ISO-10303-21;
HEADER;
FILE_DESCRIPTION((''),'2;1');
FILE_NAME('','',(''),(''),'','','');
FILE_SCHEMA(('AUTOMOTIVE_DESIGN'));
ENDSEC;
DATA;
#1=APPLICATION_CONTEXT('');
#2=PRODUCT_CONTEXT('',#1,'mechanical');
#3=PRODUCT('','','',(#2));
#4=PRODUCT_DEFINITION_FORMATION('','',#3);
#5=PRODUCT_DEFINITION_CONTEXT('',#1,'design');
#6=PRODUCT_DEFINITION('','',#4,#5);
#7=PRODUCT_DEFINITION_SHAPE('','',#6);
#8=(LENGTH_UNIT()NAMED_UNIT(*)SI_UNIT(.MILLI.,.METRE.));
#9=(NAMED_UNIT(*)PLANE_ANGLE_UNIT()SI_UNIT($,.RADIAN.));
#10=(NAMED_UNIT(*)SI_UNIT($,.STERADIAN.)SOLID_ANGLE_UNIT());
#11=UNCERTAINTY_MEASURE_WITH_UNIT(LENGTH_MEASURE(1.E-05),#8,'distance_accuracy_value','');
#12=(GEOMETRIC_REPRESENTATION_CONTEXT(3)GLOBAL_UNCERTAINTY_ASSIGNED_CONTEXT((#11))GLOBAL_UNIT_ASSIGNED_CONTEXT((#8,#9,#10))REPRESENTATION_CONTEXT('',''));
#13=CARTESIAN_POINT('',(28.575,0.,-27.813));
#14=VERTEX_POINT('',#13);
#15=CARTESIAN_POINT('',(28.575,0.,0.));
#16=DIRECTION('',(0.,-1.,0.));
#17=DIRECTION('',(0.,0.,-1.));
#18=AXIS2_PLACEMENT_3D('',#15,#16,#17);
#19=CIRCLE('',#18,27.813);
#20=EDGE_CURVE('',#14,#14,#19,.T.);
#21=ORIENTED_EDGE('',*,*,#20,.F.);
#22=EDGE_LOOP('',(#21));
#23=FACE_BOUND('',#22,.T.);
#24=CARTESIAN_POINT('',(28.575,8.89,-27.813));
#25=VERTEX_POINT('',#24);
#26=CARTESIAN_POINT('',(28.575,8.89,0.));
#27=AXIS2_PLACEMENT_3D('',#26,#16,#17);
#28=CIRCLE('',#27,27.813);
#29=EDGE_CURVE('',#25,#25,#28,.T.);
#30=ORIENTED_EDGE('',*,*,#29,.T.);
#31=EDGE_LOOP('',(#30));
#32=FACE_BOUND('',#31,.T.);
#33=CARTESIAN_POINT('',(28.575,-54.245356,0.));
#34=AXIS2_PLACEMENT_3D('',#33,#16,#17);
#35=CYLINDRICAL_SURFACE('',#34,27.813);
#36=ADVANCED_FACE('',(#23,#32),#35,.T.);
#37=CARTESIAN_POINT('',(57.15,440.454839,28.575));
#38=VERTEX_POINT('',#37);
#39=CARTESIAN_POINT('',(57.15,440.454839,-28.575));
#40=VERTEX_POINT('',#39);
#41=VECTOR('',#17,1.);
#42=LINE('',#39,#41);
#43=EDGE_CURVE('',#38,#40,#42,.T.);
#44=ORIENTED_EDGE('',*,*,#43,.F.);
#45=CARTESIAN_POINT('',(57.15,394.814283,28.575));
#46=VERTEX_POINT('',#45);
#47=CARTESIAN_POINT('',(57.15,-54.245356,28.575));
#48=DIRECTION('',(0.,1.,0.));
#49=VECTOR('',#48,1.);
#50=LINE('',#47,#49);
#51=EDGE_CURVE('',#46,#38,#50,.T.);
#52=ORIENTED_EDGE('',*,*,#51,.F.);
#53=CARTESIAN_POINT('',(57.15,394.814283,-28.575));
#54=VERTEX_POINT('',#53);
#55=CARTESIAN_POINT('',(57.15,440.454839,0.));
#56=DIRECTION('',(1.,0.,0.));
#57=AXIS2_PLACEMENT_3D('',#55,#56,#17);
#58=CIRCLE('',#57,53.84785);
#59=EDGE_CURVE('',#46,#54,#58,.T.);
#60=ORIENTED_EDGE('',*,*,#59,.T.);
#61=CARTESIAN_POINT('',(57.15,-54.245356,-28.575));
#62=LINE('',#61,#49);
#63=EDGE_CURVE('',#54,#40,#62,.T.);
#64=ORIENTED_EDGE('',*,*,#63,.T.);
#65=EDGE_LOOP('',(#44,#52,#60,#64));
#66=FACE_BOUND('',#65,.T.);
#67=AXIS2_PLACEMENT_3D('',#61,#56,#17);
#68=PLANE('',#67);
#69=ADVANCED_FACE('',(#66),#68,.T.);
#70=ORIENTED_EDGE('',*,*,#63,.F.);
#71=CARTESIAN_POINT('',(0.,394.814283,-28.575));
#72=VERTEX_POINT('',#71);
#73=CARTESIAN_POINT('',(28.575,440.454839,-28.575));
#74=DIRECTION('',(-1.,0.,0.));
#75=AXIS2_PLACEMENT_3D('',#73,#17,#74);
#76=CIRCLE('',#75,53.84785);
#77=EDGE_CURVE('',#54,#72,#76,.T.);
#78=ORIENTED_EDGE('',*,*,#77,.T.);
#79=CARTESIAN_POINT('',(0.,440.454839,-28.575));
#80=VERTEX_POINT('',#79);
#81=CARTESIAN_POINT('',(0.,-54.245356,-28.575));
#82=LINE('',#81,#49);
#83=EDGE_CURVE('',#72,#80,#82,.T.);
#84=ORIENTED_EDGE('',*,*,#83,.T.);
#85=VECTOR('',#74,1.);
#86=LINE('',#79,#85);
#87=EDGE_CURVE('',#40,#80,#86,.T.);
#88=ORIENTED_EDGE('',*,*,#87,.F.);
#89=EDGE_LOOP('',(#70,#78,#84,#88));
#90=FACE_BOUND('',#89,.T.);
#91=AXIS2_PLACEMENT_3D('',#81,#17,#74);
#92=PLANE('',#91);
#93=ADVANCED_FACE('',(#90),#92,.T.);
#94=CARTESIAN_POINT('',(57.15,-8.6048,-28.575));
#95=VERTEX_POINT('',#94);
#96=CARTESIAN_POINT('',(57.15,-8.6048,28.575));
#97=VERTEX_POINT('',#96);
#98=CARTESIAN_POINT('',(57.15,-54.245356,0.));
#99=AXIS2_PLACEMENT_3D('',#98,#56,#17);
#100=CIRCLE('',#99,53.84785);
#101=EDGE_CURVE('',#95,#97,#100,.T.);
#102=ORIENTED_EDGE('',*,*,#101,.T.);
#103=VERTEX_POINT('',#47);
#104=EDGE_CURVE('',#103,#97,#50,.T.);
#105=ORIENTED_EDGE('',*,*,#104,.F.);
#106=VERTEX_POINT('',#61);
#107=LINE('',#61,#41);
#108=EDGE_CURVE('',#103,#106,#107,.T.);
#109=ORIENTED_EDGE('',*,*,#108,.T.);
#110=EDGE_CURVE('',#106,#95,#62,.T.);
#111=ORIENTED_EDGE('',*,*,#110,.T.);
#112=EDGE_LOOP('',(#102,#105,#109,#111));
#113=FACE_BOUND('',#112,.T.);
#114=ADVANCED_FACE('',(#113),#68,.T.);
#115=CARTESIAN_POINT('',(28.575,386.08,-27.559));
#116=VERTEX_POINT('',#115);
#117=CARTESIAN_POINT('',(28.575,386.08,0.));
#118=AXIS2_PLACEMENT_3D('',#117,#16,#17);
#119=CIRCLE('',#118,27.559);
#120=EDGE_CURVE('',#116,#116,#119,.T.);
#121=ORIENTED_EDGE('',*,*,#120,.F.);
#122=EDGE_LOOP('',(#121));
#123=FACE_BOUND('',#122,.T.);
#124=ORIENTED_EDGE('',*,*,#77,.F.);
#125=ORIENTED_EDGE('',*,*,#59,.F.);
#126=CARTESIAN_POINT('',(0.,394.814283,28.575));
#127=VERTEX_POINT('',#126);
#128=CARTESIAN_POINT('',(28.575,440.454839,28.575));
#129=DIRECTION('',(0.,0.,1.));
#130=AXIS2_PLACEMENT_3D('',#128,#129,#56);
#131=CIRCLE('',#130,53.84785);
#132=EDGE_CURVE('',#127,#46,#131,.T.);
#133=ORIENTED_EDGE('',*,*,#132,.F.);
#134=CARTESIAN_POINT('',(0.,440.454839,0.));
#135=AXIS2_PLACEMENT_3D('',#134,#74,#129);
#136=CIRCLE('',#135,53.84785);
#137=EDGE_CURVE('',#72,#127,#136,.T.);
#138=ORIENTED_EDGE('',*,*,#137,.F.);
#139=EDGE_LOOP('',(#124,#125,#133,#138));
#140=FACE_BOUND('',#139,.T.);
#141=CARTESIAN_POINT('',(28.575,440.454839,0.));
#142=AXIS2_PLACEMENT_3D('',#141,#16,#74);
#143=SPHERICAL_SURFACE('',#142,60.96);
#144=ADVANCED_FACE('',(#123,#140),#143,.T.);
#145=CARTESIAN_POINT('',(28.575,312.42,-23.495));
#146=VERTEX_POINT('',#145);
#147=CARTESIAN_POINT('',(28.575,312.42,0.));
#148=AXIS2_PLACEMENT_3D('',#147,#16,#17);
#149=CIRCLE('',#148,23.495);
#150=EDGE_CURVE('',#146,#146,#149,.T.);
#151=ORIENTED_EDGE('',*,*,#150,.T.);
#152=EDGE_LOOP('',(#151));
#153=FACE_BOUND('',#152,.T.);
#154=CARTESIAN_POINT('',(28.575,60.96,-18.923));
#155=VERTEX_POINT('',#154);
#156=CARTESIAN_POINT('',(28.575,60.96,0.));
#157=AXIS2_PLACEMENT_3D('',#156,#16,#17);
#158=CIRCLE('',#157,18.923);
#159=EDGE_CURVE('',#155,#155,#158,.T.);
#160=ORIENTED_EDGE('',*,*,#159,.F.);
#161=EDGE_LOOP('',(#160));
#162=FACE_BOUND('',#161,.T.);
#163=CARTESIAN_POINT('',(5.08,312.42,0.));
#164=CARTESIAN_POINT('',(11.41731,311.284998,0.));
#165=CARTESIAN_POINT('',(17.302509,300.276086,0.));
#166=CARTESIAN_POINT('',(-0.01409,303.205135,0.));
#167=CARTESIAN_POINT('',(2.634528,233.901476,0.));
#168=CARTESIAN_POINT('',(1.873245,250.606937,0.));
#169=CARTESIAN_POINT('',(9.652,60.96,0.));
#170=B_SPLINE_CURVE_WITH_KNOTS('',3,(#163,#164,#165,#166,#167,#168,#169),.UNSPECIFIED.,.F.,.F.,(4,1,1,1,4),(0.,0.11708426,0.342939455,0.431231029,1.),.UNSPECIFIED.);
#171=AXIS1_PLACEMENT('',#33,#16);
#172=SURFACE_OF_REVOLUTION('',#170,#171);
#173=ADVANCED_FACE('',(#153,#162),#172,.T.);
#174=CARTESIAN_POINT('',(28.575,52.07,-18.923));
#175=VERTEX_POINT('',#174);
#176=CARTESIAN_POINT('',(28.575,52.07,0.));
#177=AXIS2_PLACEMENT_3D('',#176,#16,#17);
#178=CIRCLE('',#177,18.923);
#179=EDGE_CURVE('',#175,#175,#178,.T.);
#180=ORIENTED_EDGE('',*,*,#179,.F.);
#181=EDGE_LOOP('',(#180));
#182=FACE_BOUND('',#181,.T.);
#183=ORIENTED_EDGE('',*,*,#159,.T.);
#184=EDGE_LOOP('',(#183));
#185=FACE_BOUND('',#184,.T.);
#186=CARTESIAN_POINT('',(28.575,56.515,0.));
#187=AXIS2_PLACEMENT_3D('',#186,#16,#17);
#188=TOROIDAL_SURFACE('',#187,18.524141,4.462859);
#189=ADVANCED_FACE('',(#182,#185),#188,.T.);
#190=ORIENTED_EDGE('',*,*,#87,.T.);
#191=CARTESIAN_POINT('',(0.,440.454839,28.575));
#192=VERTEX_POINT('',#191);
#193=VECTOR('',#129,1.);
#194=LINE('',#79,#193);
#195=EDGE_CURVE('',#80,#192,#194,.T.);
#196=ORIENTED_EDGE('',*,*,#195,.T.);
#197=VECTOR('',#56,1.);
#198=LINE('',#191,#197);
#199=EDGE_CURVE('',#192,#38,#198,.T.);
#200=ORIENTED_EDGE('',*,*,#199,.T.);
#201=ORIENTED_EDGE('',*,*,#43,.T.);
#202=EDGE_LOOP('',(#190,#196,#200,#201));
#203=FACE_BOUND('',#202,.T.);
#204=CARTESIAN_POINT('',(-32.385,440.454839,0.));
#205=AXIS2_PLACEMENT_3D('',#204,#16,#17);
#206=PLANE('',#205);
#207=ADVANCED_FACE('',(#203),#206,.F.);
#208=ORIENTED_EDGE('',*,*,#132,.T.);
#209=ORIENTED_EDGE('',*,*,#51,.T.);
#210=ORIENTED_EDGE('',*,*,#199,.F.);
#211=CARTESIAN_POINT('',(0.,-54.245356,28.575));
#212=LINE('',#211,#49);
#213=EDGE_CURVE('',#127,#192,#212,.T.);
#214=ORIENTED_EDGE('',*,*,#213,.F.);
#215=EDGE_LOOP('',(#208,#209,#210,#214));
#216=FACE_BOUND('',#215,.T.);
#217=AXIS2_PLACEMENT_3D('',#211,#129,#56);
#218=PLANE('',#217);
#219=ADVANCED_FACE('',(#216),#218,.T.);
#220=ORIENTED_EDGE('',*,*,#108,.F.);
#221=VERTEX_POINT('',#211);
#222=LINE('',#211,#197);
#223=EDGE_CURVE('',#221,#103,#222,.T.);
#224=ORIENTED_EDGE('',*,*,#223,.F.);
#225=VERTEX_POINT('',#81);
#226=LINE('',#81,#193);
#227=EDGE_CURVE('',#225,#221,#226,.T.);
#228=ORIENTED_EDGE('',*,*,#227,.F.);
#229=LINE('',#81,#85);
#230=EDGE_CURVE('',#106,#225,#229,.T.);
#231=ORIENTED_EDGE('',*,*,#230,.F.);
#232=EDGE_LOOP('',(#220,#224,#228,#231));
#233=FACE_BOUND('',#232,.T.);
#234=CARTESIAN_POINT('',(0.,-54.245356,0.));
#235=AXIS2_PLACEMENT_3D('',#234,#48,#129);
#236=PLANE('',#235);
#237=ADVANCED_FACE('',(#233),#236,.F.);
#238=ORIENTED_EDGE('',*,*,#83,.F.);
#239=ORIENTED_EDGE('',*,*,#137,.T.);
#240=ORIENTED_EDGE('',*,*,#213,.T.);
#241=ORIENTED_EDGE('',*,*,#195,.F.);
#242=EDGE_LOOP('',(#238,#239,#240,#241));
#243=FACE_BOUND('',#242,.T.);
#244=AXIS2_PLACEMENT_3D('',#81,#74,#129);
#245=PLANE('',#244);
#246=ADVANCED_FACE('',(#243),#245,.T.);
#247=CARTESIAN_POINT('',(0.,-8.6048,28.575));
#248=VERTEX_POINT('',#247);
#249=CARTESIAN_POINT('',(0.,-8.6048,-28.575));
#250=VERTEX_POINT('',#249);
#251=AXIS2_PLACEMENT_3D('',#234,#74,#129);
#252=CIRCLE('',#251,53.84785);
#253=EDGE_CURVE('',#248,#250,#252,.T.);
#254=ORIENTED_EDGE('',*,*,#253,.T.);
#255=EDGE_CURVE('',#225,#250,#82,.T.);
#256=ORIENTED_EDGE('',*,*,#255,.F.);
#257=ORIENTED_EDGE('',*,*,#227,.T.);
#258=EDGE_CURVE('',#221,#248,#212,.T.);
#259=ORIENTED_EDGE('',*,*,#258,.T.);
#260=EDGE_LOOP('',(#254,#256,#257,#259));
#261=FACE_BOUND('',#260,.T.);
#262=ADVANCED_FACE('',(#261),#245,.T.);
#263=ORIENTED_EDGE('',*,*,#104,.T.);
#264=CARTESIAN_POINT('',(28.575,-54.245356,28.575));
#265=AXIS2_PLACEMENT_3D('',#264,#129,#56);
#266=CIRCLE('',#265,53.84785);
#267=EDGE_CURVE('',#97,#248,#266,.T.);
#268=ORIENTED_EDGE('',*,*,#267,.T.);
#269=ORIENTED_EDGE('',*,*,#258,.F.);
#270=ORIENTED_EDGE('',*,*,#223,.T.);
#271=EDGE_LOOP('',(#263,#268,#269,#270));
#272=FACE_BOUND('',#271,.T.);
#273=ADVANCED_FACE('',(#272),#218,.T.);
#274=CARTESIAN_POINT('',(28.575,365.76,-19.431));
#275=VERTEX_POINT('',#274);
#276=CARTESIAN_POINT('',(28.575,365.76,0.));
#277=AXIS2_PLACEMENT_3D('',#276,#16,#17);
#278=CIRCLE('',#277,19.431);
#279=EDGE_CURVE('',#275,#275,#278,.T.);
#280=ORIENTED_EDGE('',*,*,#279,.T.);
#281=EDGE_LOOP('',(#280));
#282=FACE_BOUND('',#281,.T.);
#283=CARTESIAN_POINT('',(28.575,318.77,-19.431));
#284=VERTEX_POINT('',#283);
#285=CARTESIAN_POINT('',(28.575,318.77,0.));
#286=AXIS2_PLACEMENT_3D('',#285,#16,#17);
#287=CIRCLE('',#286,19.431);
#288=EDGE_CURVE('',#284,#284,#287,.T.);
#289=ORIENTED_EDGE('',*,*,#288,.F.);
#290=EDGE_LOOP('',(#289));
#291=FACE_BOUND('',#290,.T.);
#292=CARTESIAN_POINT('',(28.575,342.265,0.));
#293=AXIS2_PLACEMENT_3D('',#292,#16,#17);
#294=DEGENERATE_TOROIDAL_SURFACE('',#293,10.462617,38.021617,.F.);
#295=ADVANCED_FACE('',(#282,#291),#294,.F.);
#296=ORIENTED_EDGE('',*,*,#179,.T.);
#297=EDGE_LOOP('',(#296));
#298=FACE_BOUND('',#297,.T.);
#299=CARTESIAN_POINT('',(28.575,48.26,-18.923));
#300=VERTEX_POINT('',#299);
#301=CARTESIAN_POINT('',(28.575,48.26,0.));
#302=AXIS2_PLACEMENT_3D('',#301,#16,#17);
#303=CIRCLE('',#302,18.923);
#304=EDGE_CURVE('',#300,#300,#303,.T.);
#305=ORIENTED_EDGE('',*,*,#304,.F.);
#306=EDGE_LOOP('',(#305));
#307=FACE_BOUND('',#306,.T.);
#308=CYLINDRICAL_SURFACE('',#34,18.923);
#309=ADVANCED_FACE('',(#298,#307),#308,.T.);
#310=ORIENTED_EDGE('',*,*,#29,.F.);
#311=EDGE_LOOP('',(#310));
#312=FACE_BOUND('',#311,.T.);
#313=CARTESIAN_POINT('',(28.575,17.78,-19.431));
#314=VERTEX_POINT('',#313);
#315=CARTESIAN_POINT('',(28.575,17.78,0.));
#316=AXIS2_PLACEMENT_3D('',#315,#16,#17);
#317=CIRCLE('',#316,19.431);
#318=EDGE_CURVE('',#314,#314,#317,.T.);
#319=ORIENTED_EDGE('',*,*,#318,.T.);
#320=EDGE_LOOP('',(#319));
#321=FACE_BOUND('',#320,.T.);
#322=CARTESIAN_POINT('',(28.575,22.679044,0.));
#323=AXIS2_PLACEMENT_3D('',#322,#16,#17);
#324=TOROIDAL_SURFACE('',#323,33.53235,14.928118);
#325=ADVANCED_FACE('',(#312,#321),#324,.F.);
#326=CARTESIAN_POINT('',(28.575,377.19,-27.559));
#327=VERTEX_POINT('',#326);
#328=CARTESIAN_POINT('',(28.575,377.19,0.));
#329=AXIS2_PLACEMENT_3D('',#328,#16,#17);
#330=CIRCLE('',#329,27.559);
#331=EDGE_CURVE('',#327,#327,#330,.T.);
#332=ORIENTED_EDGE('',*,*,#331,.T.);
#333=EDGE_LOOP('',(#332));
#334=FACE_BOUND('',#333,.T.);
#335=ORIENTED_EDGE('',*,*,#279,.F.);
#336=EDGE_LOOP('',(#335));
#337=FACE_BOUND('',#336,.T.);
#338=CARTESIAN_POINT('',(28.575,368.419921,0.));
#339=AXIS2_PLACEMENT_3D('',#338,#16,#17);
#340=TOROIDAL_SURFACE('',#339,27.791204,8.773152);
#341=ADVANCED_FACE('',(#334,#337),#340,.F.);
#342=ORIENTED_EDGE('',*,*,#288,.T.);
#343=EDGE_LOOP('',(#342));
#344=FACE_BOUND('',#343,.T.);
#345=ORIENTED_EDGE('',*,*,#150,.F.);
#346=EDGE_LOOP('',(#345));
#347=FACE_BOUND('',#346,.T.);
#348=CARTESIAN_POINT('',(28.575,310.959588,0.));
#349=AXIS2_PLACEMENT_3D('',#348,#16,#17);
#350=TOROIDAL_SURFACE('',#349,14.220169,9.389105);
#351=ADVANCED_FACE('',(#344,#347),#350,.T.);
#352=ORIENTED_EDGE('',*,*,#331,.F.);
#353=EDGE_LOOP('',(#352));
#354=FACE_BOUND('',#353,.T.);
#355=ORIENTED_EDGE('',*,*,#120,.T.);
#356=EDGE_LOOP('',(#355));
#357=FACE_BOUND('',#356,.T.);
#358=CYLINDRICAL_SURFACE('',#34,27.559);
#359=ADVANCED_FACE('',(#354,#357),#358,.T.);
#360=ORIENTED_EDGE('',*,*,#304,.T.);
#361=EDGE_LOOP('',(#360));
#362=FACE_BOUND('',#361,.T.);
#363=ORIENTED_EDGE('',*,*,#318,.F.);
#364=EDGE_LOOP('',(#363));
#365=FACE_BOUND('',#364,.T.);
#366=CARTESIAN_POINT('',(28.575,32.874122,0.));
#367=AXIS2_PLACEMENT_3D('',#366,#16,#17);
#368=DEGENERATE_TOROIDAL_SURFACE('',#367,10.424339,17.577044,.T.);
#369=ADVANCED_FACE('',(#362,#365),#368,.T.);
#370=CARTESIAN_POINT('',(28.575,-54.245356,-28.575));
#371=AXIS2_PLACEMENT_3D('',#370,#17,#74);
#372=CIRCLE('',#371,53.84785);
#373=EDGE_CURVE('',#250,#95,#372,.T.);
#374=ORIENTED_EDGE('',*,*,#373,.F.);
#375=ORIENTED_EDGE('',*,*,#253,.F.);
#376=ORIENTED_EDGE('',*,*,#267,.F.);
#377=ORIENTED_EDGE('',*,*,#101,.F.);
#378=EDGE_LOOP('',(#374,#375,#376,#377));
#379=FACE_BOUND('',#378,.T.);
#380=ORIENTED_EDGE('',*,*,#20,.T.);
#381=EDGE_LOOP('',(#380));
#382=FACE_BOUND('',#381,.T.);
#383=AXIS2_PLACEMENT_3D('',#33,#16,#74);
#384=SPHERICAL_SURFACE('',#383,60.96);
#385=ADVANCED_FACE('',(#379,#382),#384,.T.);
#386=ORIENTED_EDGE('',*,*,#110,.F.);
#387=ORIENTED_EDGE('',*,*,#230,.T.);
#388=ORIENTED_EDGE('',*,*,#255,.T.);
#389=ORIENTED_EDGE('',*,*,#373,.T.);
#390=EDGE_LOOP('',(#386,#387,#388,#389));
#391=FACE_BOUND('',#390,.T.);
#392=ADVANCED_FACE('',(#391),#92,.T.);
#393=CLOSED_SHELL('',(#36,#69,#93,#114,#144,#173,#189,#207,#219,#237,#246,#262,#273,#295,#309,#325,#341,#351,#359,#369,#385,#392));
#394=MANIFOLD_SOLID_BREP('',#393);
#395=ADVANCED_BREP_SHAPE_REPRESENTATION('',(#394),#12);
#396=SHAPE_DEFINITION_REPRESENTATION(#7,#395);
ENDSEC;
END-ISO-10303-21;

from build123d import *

# Parameters (mm, degrees)
SKETCH4_OUTSIDE_W       = 568.745
SKETCH4_OUTSIDE_H       = 568.744
SKETCH4_OUTSIDE_W_2     = 142.875
SKETCH4_OUTSIDE_H_2     = 142.875
CUT_EXTRUDE2_DEPTH      = 1102.137097563
CUT_EXTRUDE2_DEPTH_BACK = 136.613389618
SCALE1_SCALE            = 0.4


with BuildPart() as part:
    # Sketch2 → Revolve2 (revolve)
    with BuildSketch(Plane.XY):
        with BuildLine():
            Line((0, -135.613389618), (71.4375, -135.613389618))
            Line((71.4375, -135.613389618), (71.4375, 1101.137097563))
            Line((71.4375, 1101.137097563), (0, 1101.137097563))
            Line((0, 1101.137097563), (-80.9625, 1101.137097563))
            ThreePointArc((-80.9625, 1101.137097563), (-58.419611858, 1021.369369126), (2.54, 965.2))
            Line((2.54, 965.2), (2.54, 942.975))
            ThreePointArc((2.54, 942.975), (19.833806838, 933.760429307), (22.86, 914.4))
            ThreePointArc((22.86, 914.4), (2.54, 855.6625), (22.86, 796.925))
            ThreePointArc((22.86, 796.925), (16.116640845, 790.052049859), (12.7, 781.05))
            add(Edge.make_bspline(
                [(12.7, 781.05), (28.543276087, 778.212494125), (43.256272949, 750.690215213), (-0.0352258, 758.012837994), (6.586319301, 584.753689168), (4.683111774, 626.517341683), (24.13, 152.4)],
                knots=[0, 0, 0, 0, 0.11708426, 0.342939455, 0.431231029, 1, 1, 1, 1], degree=3))
            ThreePointArc((24.13, 152.4), (13.97, 141.2875), (24.13, 130.175))
            Line((24.13, 130.175), (24.13, 120.65))
            ThreePointArc((24.13, 120.65), (1.440144638, 82.917580923), (22.86, 44.45))
            ThreePointArc((22.86, 44.45), (14.760476333, 31.095408029), (1.905, 22.225))
            Line((1.905, 22.225), (1.905, 0))
            ThreePointArc((1.905, 0), (-58.605787024, -56.149539347), (-80.9625, -135.613389618))
            Line((-80.9625, -135.613389618), (0, -135.613389618))
        make_face()
    revolve(axis=Axis((71.4375, -135.613389618, 0), (0, 1, 0)))

    # Sketch4 outside → Cut-Extrude2 (cut, two sides)
    with BuildSketch(Plane(origin=(0, 0, 0), x_dir=(1, 0, 0), z_dir=(0, 1, 0))) as cut_extrude2_sk:
        with Locations((71.4375, 0)):
            Rectangle(SKETCH4_OUTSIDE_W, SKETCH4_OUTSIDE_H)
        with Locations((71.4375, 0)):
            Rectangle(SKETCH4_OUTSIDE_W_2, SKETCH4_OUTSIDE_H_2, mode=Mode.SUBTRACT)
    extrude(amount=CUT_EXTRUDE2_DEPTH, mode=Mode.SUBTRACT)
    extrude(cut_extrude2_sk.sketch, amount=-CUT_EXTRUDE2_DEPTH_BACK, mode=Mode.SUBTRACT)


with BuildPart() as part_1:
    # Scale1: scaled about (0, 0, 0)
    add(part.part.scale(SCALE1_SCALE))


solid = part_1.part
